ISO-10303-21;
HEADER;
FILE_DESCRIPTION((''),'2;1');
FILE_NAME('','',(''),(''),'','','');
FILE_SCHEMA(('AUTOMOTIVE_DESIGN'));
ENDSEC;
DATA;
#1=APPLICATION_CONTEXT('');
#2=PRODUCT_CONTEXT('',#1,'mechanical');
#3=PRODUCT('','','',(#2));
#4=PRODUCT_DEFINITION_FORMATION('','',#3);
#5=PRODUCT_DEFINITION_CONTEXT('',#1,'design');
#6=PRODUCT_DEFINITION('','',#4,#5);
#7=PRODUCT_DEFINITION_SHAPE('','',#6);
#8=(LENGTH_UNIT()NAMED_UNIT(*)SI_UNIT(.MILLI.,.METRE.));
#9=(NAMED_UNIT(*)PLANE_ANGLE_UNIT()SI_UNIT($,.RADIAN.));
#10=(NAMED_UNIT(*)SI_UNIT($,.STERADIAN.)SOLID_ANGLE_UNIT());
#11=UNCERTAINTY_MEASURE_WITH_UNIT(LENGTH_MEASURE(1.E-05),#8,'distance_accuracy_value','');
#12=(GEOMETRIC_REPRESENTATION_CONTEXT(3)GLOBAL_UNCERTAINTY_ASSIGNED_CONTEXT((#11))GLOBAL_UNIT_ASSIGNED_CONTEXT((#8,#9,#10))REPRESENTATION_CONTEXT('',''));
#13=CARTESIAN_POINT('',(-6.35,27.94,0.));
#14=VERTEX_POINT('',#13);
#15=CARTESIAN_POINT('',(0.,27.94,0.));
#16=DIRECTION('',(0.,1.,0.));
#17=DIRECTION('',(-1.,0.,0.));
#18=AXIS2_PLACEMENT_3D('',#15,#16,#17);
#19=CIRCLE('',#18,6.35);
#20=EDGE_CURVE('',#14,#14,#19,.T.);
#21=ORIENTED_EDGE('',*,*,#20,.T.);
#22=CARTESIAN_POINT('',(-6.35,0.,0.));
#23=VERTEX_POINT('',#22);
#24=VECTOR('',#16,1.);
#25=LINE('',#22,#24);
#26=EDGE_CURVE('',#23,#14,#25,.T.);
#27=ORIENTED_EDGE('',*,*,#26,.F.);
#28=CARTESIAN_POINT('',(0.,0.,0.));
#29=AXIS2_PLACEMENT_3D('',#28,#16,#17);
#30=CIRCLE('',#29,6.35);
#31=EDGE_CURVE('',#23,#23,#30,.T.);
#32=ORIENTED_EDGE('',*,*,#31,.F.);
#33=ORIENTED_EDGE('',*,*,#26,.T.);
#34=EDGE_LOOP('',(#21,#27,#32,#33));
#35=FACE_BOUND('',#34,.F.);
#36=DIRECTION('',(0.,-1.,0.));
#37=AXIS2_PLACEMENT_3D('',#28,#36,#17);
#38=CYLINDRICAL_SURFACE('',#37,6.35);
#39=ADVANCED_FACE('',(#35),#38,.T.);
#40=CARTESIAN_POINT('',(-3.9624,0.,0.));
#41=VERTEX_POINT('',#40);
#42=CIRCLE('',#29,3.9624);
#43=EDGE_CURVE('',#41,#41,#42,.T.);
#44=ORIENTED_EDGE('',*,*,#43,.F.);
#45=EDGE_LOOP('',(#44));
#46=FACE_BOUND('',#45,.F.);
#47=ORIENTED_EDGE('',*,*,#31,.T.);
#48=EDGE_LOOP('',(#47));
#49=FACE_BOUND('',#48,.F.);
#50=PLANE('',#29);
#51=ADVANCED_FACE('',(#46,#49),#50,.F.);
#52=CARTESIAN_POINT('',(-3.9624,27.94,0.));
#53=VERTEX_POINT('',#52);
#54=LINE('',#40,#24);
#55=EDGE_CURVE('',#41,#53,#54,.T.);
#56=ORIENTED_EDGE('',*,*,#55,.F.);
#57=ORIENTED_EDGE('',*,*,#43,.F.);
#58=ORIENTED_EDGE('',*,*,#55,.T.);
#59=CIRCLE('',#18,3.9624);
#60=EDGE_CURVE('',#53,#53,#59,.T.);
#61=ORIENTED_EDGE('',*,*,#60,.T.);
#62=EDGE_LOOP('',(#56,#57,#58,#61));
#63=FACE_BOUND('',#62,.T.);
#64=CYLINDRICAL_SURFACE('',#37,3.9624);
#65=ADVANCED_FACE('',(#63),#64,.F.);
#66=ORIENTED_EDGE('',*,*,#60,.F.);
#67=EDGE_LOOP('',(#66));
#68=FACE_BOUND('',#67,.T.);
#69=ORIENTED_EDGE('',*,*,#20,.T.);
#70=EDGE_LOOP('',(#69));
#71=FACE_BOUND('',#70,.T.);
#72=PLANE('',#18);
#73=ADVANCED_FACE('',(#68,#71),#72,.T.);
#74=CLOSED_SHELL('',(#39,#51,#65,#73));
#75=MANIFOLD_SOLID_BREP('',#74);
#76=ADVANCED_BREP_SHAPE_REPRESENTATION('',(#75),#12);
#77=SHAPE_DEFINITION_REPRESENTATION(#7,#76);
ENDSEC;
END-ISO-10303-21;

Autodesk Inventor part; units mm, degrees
ref_plane "YZ Plane" through (0, 0, 0) normal (1, 0, 0) x (0, 1, 0)
ref_plane "XZ Plane" through (0, 0, 0) normal (0, 1, 0) x (-1, 0, 0)
ref_plane "XY Plane" through (0, 0, 0) normal (0, 0, 1) x (1, 0, 0)
sketch "Sketch1" plane through (0, 0, 0) normal (0, 1, 0) x (-1, 0, 0)
  circle A0 centre (0, 0) radius 6.35
  circle A1 centre (0, 0) radius 3.9624
  dimension "d0" = 12.7
  dimension "d1" = 7.9248
extrude "Extrusion1" add sketch "Sketch1" along normal blind 27.94
properties part number "Pretend this is a churro"
